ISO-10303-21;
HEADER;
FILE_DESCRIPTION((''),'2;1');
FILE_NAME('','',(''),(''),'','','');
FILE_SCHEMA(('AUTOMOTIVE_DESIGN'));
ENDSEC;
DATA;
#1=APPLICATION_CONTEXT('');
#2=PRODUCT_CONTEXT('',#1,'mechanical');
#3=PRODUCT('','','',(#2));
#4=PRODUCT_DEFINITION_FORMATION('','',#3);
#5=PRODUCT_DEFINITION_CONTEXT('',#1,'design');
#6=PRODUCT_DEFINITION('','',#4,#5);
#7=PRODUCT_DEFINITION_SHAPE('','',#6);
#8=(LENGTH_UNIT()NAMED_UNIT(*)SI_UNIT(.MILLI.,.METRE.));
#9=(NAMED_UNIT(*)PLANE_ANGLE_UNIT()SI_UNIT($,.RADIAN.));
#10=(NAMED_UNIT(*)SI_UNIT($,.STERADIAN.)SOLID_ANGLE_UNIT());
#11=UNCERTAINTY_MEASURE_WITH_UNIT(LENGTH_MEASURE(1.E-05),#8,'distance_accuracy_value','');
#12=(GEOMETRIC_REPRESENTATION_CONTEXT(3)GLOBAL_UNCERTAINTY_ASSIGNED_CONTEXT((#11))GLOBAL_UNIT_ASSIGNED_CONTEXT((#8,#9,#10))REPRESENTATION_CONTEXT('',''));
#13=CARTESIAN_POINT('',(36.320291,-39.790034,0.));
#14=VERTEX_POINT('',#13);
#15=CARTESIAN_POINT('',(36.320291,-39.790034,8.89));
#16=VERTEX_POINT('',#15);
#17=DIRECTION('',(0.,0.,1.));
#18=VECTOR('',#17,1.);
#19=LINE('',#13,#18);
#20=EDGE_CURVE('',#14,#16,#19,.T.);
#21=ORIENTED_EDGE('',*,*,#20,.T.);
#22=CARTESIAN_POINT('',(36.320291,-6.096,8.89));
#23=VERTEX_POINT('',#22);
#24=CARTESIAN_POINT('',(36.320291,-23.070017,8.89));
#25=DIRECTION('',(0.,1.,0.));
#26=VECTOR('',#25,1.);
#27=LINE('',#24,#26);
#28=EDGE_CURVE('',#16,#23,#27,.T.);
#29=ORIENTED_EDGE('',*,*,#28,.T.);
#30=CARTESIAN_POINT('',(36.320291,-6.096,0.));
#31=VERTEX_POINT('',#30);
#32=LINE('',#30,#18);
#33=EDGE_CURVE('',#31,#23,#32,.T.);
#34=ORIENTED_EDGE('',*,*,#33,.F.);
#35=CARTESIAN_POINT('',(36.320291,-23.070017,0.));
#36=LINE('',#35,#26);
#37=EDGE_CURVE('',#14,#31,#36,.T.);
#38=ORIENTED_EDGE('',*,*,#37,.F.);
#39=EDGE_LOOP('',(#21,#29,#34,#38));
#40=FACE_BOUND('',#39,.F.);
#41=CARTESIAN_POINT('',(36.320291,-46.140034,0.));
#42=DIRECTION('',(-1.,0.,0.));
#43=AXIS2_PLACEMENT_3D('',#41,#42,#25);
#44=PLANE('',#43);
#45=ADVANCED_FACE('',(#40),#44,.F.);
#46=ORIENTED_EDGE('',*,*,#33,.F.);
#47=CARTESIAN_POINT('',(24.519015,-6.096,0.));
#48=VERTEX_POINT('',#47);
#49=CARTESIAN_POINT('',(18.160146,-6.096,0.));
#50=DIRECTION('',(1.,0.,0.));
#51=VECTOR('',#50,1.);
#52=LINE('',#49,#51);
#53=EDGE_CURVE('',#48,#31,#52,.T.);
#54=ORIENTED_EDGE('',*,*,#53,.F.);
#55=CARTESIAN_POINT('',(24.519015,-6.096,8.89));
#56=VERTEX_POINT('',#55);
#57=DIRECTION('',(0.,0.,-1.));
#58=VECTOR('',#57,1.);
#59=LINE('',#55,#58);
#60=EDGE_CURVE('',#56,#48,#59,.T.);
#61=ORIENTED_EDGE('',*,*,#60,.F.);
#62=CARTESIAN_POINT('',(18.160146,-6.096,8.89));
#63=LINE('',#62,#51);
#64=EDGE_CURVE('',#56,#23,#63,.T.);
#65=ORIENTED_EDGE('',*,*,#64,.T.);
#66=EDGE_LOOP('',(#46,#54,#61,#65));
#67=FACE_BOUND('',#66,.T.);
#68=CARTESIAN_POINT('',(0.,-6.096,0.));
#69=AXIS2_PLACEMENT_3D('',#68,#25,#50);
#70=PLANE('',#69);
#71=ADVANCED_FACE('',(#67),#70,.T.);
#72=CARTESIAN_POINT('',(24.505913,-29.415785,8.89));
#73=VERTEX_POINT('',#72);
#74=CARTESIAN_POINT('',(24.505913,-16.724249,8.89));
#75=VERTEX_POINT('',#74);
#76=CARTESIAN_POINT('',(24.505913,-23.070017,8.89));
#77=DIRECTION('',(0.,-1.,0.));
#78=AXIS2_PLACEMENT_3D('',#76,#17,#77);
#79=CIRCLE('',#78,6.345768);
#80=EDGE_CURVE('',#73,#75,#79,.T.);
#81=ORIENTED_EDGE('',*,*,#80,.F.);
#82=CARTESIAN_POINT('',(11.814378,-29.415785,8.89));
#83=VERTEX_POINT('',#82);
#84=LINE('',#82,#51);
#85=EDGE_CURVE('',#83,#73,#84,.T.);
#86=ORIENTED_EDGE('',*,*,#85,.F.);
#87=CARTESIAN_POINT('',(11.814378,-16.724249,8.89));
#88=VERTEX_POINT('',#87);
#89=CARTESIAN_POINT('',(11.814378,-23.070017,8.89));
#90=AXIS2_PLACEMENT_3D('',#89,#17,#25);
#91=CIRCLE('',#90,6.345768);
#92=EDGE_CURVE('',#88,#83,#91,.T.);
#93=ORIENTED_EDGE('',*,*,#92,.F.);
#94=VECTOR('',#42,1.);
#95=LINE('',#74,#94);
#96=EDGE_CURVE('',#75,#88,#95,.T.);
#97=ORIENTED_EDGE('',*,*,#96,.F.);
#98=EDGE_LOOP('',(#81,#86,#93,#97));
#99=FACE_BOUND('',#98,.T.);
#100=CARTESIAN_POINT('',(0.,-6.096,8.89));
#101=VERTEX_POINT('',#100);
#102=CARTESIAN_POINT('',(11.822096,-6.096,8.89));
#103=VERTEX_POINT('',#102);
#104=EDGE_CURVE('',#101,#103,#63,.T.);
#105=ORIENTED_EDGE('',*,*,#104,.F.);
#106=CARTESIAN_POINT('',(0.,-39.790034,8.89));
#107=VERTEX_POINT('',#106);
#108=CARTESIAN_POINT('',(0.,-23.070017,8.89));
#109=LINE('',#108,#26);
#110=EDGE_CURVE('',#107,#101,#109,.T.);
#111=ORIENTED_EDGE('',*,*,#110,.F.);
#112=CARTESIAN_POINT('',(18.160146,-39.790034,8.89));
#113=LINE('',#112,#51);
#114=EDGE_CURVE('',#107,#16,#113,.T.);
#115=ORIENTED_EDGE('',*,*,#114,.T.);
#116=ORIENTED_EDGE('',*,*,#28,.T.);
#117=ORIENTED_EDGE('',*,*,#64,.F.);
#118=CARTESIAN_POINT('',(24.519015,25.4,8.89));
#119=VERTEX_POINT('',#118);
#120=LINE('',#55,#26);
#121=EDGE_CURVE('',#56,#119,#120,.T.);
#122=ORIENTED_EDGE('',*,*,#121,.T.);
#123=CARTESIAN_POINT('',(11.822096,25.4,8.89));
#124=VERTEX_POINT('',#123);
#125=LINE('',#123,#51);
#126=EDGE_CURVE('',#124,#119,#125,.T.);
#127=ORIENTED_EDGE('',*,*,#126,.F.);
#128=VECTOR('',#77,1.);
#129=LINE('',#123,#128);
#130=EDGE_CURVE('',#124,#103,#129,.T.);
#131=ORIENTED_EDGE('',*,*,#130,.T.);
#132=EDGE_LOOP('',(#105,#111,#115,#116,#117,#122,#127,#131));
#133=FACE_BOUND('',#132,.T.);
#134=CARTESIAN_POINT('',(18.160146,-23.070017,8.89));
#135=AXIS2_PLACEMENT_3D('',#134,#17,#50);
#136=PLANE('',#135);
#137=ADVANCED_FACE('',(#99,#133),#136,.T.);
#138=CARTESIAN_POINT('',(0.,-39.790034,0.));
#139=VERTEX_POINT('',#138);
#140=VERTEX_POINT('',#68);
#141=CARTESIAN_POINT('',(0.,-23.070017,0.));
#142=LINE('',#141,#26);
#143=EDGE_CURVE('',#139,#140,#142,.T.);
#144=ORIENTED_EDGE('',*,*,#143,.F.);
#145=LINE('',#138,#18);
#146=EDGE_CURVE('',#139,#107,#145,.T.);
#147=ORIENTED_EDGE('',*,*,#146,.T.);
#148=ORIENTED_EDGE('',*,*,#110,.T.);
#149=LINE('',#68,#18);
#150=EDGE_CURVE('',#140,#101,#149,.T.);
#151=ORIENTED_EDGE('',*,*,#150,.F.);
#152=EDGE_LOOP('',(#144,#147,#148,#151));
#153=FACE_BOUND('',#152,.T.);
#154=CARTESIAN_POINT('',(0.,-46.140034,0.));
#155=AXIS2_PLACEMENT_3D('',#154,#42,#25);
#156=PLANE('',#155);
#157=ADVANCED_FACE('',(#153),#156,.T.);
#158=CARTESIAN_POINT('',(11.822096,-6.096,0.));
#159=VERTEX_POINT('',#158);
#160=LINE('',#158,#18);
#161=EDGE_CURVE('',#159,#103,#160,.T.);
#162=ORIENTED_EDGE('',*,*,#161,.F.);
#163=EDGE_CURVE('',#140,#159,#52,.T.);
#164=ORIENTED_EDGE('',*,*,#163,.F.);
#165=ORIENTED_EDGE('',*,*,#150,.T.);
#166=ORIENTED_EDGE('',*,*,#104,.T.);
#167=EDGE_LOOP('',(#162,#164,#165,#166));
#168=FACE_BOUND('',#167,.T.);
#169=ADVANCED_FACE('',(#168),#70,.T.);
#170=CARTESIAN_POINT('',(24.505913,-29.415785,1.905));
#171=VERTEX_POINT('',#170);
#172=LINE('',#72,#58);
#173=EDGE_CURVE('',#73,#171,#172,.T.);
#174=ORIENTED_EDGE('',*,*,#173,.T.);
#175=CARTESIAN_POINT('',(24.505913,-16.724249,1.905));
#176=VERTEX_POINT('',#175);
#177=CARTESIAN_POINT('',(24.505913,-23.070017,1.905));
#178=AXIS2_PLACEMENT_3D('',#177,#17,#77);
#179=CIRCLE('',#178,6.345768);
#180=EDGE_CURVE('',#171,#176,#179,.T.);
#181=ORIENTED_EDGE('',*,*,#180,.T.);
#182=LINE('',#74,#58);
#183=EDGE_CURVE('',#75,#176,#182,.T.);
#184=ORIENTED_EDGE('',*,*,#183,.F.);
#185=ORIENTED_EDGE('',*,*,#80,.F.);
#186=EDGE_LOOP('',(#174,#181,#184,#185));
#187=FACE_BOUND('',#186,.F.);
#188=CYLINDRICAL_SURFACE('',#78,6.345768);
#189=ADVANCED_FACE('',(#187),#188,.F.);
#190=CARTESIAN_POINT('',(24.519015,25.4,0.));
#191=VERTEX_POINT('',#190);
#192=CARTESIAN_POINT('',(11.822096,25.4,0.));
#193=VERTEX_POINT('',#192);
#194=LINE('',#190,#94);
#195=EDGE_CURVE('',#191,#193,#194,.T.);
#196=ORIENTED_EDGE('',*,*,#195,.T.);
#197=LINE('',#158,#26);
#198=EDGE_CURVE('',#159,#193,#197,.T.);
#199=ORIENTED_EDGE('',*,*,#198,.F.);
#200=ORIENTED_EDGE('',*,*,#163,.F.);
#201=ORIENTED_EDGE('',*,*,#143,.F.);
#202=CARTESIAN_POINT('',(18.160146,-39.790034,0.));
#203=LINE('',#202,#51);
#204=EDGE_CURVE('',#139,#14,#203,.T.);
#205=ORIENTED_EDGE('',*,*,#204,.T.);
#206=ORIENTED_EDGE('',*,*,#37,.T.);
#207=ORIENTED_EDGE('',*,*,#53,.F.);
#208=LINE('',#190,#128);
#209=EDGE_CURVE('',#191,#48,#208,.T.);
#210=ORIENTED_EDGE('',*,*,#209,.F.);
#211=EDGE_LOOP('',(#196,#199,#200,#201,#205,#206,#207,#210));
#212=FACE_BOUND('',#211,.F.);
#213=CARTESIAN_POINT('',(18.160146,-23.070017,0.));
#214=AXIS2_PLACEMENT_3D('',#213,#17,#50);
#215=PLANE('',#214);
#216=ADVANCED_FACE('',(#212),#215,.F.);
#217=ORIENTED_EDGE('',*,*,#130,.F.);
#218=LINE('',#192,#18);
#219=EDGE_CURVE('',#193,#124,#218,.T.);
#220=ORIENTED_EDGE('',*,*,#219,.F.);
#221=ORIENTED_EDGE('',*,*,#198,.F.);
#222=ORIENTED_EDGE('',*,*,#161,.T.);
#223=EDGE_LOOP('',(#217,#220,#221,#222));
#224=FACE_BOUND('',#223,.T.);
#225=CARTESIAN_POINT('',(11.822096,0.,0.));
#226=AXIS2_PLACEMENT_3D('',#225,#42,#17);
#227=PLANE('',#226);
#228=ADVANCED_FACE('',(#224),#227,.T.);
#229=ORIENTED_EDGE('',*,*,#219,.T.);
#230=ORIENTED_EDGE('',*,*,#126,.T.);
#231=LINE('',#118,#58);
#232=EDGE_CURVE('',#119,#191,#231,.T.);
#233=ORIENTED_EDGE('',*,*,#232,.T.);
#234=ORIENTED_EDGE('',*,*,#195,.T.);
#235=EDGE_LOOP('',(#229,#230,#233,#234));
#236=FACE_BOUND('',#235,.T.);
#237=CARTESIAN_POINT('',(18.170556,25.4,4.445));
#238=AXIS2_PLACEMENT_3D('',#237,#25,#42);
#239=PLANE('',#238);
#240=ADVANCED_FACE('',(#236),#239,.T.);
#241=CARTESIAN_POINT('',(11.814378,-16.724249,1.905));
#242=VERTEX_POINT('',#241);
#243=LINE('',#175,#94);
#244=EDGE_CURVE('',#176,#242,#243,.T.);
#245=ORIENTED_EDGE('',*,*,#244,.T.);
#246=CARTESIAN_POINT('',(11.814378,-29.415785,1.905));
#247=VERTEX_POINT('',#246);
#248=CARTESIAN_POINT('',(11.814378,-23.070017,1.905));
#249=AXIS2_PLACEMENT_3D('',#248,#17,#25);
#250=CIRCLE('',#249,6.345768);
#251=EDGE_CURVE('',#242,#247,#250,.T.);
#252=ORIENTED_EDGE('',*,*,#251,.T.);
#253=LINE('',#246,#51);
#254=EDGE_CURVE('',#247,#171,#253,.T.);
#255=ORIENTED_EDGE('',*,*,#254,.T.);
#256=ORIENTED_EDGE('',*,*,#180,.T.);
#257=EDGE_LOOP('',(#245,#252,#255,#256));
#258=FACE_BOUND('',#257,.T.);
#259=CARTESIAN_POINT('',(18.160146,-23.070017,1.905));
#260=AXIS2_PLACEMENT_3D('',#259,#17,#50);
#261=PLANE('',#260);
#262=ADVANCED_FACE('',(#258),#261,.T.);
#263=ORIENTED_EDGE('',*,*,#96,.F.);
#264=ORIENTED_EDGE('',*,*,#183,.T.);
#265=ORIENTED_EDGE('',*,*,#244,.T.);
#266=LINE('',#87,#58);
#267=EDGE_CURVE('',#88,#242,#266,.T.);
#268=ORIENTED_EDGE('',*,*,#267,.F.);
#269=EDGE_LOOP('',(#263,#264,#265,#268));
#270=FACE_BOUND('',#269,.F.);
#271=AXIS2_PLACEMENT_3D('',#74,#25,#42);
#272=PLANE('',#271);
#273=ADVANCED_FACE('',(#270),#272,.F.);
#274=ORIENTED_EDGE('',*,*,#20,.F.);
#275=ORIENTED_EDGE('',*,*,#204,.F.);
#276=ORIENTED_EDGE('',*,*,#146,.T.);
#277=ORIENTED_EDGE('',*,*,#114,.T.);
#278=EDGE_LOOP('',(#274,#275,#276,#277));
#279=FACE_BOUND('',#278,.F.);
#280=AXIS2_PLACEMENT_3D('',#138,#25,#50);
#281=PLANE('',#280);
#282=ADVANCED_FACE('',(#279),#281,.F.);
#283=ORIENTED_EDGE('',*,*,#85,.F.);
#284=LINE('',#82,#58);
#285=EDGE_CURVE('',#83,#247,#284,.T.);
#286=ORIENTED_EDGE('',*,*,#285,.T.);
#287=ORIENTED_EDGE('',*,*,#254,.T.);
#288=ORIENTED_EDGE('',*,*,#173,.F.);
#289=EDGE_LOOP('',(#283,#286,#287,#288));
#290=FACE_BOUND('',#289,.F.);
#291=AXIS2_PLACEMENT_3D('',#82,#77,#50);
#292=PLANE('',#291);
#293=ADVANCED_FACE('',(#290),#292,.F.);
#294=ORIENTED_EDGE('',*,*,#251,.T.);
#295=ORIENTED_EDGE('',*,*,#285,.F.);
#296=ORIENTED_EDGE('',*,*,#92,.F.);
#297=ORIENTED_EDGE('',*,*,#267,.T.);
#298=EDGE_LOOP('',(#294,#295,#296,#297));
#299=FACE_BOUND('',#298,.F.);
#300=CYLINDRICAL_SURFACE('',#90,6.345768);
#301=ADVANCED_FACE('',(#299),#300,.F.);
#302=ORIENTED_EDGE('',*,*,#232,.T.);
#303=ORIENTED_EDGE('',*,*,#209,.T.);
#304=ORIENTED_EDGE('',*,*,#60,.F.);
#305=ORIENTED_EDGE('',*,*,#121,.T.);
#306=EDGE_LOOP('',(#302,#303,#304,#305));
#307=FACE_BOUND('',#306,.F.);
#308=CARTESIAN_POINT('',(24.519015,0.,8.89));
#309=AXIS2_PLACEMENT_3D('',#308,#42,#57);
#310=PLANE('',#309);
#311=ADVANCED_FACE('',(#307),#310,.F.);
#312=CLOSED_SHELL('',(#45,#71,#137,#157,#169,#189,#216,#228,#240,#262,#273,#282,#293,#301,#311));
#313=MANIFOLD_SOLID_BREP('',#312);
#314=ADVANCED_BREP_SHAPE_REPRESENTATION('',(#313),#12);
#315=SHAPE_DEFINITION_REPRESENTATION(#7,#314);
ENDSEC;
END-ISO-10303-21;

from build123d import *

# Parameters (mm, degrees)
F0_W     = 36.3202914596
F0_H     = 46.1400337517
F1_DEPTH = 8.89
F3_DEPTH = 6.985
F5_DEPTH = 25.4
F6_DEPTH = 6.35
F7_DEPTH = 6.096


with BuildPart() as f1:
    # F0 (on Top) → F1 (new body)
    with BuildSketch(Plane.XY):
        with Locations((18.1601457298, -23.0700168759)):
            Rectangle(F0_W, F0_H)
    extrude(amount=F1_DEPTH)

    # F2 (on face) → F3 (cut)
    with BuildSketch(Plane.XY.offset(8.89)):
        with BuildLine():
            Line((11.814377988, -29.4157846176), (24.5059134716, -29.4157846176))
            ThreePointArc((24.5059134716, -29.4157846176), (30.8516812133, -23.0700168759), (24.5059134716, -16.7242491341))
            Line((24.5059134716, -16.7242491341), (11.814377988, -16.7242491341))
            ThreePointArc((11.814377988, -16.7242491341), (5.4686102462, -23.0700168759), (11.814377988, -29.4157846176))
        make_face()
    extrude(amount=-F3_DEPTH, mode=Mode.SUBTRACT)

    # F4 (on face) → F5 (join)
    with BuildSketch(Plane(origin=(0, 0, 0), x_dir=(-1, 0, 0), z_dir=(0, 1, 0))):
        Polygon((-24.5190151036, 0), (-11.8220960721, 0), (-11.8220960721, 4.445), (-11.8220960721, 8.89), (-24.5190151036, 8.89), (-24.5190151036, 4.445), align=None)
    extrude(amount=F5_DEPTH)

    # F6 (cut): a face of the model
    f6_faces = [f1.faces().sort_by_distance(p)[0] for p in [
        (18.1601457298, -46.1400337517, 4.445),
    ]]
    extrude(f6_faces, amount=-F6_DEPTH, mode=Mode.SUBTRACT)

    # F7 (cut): faces of the model
    f7_faces = [f1.faces().sort_by_distance(p)[0] for p in [
        (5.9110480361, 0, 4.445),
        (30.4196532816, 0, 4.445),
    ]]
    extrude(f7_faces, amount=-F7_DEPTH, mode=Mode.SUBTRACT)


solid = f1.part
